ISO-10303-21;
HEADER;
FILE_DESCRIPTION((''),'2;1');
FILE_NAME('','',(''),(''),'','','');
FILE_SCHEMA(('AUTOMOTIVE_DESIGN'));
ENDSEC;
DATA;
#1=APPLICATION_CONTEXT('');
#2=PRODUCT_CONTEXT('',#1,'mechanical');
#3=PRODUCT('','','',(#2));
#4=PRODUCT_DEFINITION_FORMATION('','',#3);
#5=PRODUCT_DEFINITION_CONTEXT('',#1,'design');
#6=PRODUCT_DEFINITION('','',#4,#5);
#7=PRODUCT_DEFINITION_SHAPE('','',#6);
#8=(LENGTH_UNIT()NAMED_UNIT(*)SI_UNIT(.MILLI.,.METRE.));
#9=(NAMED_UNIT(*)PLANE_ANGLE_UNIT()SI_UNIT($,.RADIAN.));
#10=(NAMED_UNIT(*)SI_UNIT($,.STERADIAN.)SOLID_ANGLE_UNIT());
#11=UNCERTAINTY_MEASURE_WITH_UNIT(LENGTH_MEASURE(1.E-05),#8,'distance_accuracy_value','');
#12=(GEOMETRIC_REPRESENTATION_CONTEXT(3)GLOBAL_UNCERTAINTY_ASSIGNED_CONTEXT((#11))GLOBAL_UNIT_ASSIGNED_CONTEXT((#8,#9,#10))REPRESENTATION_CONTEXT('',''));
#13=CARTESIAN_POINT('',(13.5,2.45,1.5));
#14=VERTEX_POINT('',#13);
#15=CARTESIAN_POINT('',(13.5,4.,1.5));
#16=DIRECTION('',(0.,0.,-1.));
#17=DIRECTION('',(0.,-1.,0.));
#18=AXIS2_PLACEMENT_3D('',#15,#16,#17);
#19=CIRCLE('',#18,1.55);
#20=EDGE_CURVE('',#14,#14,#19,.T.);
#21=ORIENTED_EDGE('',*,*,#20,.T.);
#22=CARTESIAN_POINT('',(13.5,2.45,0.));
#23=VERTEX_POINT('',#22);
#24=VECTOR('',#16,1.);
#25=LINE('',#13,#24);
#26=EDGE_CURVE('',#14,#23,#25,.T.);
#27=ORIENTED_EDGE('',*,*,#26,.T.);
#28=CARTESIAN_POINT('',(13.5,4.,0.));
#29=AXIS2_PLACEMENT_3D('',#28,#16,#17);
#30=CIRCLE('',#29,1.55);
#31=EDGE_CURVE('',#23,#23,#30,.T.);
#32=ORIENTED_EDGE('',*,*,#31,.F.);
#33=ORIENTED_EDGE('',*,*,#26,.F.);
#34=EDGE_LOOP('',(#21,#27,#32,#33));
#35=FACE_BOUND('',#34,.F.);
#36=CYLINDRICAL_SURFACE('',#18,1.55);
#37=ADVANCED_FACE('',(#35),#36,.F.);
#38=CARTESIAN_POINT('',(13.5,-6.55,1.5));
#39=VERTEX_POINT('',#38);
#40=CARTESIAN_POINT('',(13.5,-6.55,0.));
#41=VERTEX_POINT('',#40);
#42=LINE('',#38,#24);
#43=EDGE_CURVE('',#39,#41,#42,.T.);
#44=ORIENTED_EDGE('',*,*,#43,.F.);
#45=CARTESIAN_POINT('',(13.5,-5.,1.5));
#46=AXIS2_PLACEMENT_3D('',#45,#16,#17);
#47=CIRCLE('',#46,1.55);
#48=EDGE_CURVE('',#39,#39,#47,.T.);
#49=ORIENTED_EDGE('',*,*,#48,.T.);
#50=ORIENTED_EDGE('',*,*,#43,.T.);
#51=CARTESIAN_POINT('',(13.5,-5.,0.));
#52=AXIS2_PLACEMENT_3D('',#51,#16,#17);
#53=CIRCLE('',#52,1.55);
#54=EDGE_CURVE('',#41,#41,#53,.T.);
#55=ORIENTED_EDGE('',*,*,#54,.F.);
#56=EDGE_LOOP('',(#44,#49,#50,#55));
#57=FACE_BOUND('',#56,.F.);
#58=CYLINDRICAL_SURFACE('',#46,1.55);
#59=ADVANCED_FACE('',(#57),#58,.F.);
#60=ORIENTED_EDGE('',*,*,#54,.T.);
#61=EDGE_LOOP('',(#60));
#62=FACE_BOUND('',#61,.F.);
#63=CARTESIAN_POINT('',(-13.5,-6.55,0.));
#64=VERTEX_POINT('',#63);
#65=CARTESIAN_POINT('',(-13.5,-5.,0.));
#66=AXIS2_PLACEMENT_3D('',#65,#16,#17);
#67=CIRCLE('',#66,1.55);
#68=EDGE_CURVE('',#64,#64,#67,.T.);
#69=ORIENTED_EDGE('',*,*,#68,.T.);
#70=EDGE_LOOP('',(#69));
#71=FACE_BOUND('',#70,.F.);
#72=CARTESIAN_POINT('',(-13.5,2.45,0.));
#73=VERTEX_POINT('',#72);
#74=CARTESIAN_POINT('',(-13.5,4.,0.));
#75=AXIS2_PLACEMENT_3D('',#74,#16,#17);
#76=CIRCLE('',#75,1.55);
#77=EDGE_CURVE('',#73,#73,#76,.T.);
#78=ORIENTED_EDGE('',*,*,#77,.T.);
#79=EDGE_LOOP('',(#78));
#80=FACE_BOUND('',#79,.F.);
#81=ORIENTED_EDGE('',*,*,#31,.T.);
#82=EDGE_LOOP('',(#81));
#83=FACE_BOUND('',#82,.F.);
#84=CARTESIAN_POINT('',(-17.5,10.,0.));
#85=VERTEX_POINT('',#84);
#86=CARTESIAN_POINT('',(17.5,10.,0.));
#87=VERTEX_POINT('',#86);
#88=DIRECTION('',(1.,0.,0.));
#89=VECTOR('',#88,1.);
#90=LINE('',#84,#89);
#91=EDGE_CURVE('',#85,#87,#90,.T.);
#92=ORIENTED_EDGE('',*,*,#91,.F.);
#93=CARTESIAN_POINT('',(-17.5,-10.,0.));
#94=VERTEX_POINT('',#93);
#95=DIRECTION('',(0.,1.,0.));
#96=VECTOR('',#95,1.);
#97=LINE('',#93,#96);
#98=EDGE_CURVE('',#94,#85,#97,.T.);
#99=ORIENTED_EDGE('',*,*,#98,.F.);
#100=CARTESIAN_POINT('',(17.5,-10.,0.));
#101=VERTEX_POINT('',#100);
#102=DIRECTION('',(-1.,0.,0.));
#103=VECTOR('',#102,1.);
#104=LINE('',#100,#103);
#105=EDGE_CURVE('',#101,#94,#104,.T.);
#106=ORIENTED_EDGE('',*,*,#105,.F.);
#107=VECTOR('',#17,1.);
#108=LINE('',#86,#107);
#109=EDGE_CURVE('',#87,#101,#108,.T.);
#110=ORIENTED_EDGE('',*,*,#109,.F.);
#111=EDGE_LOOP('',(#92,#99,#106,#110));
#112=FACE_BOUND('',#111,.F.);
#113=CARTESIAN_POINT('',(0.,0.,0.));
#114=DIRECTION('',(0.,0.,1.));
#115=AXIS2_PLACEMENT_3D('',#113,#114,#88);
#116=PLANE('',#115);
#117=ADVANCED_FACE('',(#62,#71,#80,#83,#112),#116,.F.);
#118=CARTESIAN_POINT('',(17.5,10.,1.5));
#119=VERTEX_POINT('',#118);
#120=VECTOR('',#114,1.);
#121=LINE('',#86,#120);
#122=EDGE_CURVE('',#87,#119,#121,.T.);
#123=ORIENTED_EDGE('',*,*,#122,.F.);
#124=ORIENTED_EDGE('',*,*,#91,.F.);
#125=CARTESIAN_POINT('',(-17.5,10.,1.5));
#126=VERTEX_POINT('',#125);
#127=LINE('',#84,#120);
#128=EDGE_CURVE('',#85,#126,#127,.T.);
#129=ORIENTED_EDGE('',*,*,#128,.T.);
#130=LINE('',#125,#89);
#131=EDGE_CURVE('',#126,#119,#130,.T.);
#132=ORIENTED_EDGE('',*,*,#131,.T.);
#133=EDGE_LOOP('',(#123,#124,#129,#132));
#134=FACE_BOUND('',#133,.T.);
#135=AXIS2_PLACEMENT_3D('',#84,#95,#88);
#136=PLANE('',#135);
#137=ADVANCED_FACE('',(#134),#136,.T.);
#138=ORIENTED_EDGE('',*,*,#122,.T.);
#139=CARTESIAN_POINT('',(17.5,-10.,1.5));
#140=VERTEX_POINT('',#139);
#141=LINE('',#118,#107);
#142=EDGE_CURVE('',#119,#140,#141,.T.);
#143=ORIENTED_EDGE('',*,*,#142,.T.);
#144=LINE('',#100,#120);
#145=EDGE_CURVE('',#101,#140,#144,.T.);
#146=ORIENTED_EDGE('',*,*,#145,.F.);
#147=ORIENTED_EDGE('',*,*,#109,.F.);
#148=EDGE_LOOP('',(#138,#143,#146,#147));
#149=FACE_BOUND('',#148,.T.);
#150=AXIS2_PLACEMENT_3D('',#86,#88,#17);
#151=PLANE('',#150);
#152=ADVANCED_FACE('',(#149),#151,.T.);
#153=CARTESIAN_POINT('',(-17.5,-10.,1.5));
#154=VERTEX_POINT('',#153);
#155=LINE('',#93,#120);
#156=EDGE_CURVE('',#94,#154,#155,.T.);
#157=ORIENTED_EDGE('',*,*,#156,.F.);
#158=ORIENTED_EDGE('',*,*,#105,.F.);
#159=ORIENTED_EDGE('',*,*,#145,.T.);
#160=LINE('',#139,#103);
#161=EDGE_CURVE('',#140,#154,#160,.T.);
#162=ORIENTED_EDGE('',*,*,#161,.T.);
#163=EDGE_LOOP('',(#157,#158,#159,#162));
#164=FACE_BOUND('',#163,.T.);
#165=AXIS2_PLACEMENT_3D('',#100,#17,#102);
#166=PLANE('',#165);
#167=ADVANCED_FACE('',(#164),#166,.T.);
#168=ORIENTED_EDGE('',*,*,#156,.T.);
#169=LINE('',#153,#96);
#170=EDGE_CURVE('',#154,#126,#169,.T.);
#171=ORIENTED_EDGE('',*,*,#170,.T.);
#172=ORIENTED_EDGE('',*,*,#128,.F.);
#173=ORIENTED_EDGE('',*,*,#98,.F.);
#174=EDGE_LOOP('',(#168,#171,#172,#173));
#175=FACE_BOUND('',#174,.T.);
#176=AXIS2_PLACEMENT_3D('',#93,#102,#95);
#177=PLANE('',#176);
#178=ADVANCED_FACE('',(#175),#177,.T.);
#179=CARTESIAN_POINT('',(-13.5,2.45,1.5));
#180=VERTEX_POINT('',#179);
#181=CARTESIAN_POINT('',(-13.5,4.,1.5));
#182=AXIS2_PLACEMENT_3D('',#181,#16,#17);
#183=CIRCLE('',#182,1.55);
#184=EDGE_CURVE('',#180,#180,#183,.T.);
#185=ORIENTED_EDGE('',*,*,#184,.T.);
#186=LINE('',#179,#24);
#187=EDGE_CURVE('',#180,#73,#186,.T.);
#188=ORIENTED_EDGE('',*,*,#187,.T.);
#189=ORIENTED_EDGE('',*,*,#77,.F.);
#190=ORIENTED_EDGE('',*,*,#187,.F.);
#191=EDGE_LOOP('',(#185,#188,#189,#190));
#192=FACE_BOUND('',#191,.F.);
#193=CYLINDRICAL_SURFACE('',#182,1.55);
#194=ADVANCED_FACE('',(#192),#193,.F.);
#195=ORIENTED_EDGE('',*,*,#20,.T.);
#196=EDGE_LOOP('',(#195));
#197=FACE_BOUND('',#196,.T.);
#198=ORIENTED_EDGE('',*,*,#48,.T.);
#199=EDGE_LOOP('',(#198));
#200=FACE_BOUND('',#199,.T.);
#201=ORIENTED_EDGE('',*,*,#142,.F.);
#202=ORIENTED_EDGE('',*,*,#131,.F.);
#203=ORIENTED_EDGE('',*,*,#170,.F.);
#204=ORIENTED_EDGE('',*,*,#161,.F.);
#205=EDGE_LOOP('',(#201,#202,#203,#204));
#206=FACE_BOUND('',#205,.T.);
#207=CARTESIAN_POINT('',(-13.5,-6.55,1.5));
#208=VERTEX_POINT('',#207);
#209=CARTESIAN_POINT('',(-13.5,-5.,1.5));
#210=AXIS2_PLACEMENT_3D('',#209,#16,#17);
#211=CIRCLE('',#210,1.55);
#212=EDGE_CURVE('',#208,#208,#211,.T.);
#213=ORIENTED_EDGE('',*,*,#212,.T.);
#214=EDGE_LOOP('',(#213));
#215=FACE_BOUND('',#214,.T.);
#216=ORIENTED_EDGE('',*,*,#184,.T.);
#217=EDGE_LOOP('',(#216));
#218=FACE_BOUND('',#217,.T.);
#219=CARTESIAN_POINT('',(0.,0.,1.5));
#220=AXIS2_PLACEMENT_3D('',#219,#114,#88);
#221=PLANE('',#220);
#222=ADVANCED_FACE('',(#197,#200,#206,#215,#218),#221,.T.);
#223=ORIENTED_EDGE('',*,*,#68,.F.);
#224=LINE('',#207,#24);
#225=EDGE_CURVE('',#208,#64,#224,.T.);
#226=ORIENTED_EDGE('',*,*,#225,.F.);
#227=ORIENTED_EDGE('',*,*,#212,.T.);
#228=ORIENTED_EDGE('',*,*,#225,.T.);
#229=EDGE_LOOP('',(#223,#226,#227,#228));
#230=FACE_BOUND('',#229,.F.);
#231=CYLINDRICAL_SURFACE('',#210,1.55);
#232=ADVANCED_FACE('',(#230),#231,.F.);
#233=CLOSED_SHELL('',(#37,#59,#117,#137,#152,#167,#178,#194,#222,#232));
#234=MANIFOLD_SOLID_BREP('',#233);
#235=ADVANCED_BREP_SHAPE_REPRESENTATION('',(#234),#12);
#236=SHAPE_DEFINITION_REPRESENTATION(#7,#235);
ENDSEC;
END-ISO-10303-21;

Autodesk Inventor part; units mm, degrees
ref_plane "YZ Plane" through (0, 0, 0) normal (1, 0, 0) x (0, 1, 0)
ref_plane "XZ Plane" through (0, 0, 0) normal (0, 1, 0) x (-1, 0, 0)
ref_plane "XY Plane" through (0, 0, 0) normal (0, 0, 1) x (1, 0, 0)
sketch "スケッチ1" plane through (0, 0, 0) normal (0, 0, 1) x (1, 0, 0)
  line L0 (-17.5, 10) -> (17.5, 10)
  line L1 (17.5, 10) -> (17.5, -10)
  line L2 (17.5, -10) -> (-17.5, -10)
  line L3 (-17.5, -10) -> (-17.5, 10)
  line L4 (-17.5, 10) -> (17.5, -10) construction
  line L5 (17.5, 10) -> (-17.5, -10) construction
  point P0 (0, 0)
  dimension "d0" = 35
  dimension "d1" = 20
extrude "押し出し1" add sketch "スケッチ1" along normal blind 1.5
sketch "スケッチ2" plane through (0, 0, 1.5) normal (0, 0, 1) x (1, 0, 0)
  line L0 (-17.5, -10) -> (-17.5, 10) projected
  line L1 (17.5, -10) -> (-17.5, -10) projected
  point P0 (0, 0)
  point P1 (-13.5, -5)
  point P2 (13.5, -5)
  point P3 (-13.5, 4)
  point P4 (13.5, 4)
  dimension "d4" = 27
  dimension "d5" = 4
  dimension "d6" = 5
  dimension "d15" = 9
hole "穴1" at (-13.5, -5, 1.5) at (13.5, -5, 1.5) at (-13.5, 4, 1.5) at (13.5, 4, 1.5) direction (0, 0, -1) diameter 3.1 end through all
properties part number "Line trace catch" material "アルミニウム 5052 H32"
